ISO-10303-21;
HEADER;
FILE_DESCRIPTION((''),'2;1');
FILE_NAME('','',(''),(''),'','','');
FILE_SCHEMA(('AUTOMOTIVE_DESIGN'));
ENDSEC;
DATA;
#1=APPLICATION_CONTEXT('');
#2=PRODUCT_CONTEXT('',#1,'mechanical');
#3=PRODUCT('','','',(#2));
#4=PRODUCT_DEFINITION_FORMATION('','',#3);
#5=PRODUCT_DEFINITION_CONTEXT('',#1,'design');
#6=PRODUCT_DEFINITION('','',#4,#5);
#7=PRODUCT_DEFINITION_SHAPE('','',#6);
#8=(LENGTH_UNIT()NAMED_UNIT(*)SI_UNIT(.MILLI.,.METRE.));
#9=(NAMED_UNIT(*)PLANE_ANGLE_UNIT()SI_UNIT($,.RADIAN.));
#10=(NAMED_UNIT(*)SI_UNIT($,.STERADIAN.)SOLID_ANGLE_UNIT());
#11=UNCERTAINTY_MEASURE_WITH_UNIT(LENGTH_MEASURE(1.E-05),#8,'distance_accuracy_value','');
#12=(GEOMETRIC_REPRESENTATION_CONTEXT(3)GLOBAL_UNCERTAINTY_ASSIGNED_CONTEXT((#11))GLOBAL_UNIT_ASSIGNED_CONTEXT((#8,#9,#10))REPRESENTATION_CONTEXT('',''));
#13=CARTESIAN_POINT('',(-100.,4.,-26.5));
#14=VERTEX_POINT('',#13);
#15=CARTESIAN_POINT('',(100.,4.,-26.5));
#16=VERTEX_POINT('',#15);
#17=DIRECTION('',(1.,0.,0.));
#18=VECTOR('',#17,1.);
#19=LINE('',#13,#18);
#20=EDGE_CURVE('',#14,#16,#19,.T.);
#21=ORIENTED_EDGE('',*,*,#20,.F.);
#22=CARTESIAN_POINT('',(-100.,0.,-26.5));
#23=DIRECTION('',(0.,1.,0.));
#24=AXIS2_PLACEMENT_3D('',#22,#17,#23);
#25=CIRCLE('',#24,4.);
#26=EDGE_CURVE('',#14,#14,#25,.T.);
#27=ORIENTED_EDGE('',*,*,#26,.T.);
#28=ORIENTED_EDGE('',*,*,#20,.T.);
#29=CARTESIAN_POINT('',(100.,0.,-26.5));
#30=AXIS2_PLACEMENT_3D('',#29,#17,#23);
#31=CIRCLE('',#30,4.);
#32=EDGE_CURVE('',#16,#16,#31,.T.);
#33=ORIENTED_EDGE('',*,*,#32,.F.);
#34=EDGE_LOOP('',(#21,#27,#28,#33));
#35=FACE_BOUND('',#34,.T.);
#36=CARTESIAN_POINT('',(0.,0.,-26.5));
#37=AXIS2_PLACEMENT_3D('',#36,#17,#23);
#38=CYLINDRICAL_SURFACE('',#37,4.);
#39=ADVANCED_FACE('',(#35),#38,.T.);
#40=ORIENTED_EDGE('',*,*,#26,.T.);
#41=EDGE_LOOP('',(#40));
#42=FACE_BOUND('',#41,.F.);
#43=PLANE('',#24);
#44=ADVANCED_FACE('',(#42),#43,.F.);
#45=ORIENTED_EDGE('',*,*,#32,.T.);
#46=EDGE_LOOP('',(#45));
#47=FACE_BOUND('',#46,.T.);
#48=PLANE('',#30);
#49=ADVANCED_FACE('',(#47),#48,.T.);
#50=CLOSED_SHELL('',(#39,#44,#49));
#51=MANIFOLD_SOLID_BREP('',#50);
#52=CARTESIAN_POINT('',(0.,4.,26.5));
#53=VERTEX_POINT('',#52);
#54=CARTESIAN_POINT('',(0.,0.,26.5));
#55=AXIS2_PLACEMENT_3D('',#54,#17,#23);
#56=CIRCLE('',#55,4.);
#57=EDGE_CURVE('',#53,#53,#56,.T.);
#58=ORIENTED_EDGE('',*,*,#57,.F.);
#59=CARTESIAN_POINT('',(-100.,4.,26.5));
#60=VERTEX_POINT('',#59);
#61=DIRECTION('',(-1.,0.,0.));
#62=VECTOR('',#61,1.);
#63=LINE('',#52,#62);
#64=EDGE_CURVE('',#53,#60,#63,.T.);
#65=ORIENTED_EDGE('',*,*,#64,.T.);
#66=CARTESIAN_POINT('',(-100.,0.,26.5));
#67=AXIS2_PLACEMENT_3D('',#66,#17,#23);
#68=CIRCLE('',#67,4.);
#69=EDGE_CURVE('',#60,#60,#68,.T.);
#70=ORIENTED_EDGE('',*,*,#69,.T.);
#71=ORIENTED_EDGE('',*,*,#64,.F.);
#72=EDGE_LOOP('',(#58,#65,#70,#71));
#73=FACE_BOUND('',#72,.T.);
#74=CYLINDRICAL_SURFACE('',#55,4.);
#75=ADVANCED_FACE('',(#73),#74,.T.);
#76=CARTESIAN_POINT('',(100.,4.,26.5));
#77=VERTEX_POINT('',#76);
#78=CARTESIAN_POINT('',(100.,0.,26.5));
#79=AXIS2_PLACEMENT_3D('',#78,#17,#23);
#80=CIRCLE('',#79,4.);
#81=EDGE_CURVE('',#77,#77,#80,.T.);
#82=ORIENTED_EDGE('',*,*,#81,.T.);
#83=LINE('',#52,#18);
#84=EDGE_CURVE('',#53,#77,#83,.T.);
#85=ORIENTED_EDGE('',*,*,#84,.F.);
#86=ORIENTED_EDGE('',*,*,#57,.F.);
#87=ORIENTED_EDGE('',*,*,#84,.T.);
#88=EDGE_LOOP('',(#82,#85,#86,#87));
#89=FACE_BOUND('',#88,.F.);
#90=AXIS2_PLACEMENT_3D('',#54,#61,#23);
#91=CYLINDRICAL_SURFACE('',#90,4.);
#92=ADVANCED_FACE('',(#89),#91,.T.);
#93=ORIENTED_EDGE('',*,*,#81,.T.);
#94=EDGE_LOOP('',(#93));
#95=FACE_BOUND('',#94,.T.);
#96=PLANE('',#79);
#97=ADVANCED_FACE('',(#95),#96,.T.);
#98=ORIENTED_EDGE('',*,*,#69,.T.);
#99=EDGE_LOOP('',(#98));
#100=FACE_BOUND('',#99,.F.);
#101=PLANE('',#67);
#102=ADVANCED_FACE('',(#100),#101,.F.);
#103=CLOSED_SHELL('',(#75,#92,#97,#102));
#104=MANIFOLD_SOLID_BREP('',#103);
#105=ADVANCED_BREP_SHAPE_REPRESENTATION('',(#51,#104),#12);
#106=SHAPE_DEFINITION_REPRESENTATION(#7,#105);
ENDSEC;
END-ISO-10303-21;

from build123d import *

# Parameters (mm, degrees)
F0_R     = 4
F1_DEPTH = 100


with BuildPart() as f1:
    # F0 (on Right) → F1 (new body, symmetric)
    with BuildSketch(Plane.YZ):
        with Locations((0, 26.5)):
            Circle(F0_R)
        with Locations((0, -26.5)):
            Circle(F0_R)
    extrude(amount=F1_DEPTH, both=True)


solid = f1.part
